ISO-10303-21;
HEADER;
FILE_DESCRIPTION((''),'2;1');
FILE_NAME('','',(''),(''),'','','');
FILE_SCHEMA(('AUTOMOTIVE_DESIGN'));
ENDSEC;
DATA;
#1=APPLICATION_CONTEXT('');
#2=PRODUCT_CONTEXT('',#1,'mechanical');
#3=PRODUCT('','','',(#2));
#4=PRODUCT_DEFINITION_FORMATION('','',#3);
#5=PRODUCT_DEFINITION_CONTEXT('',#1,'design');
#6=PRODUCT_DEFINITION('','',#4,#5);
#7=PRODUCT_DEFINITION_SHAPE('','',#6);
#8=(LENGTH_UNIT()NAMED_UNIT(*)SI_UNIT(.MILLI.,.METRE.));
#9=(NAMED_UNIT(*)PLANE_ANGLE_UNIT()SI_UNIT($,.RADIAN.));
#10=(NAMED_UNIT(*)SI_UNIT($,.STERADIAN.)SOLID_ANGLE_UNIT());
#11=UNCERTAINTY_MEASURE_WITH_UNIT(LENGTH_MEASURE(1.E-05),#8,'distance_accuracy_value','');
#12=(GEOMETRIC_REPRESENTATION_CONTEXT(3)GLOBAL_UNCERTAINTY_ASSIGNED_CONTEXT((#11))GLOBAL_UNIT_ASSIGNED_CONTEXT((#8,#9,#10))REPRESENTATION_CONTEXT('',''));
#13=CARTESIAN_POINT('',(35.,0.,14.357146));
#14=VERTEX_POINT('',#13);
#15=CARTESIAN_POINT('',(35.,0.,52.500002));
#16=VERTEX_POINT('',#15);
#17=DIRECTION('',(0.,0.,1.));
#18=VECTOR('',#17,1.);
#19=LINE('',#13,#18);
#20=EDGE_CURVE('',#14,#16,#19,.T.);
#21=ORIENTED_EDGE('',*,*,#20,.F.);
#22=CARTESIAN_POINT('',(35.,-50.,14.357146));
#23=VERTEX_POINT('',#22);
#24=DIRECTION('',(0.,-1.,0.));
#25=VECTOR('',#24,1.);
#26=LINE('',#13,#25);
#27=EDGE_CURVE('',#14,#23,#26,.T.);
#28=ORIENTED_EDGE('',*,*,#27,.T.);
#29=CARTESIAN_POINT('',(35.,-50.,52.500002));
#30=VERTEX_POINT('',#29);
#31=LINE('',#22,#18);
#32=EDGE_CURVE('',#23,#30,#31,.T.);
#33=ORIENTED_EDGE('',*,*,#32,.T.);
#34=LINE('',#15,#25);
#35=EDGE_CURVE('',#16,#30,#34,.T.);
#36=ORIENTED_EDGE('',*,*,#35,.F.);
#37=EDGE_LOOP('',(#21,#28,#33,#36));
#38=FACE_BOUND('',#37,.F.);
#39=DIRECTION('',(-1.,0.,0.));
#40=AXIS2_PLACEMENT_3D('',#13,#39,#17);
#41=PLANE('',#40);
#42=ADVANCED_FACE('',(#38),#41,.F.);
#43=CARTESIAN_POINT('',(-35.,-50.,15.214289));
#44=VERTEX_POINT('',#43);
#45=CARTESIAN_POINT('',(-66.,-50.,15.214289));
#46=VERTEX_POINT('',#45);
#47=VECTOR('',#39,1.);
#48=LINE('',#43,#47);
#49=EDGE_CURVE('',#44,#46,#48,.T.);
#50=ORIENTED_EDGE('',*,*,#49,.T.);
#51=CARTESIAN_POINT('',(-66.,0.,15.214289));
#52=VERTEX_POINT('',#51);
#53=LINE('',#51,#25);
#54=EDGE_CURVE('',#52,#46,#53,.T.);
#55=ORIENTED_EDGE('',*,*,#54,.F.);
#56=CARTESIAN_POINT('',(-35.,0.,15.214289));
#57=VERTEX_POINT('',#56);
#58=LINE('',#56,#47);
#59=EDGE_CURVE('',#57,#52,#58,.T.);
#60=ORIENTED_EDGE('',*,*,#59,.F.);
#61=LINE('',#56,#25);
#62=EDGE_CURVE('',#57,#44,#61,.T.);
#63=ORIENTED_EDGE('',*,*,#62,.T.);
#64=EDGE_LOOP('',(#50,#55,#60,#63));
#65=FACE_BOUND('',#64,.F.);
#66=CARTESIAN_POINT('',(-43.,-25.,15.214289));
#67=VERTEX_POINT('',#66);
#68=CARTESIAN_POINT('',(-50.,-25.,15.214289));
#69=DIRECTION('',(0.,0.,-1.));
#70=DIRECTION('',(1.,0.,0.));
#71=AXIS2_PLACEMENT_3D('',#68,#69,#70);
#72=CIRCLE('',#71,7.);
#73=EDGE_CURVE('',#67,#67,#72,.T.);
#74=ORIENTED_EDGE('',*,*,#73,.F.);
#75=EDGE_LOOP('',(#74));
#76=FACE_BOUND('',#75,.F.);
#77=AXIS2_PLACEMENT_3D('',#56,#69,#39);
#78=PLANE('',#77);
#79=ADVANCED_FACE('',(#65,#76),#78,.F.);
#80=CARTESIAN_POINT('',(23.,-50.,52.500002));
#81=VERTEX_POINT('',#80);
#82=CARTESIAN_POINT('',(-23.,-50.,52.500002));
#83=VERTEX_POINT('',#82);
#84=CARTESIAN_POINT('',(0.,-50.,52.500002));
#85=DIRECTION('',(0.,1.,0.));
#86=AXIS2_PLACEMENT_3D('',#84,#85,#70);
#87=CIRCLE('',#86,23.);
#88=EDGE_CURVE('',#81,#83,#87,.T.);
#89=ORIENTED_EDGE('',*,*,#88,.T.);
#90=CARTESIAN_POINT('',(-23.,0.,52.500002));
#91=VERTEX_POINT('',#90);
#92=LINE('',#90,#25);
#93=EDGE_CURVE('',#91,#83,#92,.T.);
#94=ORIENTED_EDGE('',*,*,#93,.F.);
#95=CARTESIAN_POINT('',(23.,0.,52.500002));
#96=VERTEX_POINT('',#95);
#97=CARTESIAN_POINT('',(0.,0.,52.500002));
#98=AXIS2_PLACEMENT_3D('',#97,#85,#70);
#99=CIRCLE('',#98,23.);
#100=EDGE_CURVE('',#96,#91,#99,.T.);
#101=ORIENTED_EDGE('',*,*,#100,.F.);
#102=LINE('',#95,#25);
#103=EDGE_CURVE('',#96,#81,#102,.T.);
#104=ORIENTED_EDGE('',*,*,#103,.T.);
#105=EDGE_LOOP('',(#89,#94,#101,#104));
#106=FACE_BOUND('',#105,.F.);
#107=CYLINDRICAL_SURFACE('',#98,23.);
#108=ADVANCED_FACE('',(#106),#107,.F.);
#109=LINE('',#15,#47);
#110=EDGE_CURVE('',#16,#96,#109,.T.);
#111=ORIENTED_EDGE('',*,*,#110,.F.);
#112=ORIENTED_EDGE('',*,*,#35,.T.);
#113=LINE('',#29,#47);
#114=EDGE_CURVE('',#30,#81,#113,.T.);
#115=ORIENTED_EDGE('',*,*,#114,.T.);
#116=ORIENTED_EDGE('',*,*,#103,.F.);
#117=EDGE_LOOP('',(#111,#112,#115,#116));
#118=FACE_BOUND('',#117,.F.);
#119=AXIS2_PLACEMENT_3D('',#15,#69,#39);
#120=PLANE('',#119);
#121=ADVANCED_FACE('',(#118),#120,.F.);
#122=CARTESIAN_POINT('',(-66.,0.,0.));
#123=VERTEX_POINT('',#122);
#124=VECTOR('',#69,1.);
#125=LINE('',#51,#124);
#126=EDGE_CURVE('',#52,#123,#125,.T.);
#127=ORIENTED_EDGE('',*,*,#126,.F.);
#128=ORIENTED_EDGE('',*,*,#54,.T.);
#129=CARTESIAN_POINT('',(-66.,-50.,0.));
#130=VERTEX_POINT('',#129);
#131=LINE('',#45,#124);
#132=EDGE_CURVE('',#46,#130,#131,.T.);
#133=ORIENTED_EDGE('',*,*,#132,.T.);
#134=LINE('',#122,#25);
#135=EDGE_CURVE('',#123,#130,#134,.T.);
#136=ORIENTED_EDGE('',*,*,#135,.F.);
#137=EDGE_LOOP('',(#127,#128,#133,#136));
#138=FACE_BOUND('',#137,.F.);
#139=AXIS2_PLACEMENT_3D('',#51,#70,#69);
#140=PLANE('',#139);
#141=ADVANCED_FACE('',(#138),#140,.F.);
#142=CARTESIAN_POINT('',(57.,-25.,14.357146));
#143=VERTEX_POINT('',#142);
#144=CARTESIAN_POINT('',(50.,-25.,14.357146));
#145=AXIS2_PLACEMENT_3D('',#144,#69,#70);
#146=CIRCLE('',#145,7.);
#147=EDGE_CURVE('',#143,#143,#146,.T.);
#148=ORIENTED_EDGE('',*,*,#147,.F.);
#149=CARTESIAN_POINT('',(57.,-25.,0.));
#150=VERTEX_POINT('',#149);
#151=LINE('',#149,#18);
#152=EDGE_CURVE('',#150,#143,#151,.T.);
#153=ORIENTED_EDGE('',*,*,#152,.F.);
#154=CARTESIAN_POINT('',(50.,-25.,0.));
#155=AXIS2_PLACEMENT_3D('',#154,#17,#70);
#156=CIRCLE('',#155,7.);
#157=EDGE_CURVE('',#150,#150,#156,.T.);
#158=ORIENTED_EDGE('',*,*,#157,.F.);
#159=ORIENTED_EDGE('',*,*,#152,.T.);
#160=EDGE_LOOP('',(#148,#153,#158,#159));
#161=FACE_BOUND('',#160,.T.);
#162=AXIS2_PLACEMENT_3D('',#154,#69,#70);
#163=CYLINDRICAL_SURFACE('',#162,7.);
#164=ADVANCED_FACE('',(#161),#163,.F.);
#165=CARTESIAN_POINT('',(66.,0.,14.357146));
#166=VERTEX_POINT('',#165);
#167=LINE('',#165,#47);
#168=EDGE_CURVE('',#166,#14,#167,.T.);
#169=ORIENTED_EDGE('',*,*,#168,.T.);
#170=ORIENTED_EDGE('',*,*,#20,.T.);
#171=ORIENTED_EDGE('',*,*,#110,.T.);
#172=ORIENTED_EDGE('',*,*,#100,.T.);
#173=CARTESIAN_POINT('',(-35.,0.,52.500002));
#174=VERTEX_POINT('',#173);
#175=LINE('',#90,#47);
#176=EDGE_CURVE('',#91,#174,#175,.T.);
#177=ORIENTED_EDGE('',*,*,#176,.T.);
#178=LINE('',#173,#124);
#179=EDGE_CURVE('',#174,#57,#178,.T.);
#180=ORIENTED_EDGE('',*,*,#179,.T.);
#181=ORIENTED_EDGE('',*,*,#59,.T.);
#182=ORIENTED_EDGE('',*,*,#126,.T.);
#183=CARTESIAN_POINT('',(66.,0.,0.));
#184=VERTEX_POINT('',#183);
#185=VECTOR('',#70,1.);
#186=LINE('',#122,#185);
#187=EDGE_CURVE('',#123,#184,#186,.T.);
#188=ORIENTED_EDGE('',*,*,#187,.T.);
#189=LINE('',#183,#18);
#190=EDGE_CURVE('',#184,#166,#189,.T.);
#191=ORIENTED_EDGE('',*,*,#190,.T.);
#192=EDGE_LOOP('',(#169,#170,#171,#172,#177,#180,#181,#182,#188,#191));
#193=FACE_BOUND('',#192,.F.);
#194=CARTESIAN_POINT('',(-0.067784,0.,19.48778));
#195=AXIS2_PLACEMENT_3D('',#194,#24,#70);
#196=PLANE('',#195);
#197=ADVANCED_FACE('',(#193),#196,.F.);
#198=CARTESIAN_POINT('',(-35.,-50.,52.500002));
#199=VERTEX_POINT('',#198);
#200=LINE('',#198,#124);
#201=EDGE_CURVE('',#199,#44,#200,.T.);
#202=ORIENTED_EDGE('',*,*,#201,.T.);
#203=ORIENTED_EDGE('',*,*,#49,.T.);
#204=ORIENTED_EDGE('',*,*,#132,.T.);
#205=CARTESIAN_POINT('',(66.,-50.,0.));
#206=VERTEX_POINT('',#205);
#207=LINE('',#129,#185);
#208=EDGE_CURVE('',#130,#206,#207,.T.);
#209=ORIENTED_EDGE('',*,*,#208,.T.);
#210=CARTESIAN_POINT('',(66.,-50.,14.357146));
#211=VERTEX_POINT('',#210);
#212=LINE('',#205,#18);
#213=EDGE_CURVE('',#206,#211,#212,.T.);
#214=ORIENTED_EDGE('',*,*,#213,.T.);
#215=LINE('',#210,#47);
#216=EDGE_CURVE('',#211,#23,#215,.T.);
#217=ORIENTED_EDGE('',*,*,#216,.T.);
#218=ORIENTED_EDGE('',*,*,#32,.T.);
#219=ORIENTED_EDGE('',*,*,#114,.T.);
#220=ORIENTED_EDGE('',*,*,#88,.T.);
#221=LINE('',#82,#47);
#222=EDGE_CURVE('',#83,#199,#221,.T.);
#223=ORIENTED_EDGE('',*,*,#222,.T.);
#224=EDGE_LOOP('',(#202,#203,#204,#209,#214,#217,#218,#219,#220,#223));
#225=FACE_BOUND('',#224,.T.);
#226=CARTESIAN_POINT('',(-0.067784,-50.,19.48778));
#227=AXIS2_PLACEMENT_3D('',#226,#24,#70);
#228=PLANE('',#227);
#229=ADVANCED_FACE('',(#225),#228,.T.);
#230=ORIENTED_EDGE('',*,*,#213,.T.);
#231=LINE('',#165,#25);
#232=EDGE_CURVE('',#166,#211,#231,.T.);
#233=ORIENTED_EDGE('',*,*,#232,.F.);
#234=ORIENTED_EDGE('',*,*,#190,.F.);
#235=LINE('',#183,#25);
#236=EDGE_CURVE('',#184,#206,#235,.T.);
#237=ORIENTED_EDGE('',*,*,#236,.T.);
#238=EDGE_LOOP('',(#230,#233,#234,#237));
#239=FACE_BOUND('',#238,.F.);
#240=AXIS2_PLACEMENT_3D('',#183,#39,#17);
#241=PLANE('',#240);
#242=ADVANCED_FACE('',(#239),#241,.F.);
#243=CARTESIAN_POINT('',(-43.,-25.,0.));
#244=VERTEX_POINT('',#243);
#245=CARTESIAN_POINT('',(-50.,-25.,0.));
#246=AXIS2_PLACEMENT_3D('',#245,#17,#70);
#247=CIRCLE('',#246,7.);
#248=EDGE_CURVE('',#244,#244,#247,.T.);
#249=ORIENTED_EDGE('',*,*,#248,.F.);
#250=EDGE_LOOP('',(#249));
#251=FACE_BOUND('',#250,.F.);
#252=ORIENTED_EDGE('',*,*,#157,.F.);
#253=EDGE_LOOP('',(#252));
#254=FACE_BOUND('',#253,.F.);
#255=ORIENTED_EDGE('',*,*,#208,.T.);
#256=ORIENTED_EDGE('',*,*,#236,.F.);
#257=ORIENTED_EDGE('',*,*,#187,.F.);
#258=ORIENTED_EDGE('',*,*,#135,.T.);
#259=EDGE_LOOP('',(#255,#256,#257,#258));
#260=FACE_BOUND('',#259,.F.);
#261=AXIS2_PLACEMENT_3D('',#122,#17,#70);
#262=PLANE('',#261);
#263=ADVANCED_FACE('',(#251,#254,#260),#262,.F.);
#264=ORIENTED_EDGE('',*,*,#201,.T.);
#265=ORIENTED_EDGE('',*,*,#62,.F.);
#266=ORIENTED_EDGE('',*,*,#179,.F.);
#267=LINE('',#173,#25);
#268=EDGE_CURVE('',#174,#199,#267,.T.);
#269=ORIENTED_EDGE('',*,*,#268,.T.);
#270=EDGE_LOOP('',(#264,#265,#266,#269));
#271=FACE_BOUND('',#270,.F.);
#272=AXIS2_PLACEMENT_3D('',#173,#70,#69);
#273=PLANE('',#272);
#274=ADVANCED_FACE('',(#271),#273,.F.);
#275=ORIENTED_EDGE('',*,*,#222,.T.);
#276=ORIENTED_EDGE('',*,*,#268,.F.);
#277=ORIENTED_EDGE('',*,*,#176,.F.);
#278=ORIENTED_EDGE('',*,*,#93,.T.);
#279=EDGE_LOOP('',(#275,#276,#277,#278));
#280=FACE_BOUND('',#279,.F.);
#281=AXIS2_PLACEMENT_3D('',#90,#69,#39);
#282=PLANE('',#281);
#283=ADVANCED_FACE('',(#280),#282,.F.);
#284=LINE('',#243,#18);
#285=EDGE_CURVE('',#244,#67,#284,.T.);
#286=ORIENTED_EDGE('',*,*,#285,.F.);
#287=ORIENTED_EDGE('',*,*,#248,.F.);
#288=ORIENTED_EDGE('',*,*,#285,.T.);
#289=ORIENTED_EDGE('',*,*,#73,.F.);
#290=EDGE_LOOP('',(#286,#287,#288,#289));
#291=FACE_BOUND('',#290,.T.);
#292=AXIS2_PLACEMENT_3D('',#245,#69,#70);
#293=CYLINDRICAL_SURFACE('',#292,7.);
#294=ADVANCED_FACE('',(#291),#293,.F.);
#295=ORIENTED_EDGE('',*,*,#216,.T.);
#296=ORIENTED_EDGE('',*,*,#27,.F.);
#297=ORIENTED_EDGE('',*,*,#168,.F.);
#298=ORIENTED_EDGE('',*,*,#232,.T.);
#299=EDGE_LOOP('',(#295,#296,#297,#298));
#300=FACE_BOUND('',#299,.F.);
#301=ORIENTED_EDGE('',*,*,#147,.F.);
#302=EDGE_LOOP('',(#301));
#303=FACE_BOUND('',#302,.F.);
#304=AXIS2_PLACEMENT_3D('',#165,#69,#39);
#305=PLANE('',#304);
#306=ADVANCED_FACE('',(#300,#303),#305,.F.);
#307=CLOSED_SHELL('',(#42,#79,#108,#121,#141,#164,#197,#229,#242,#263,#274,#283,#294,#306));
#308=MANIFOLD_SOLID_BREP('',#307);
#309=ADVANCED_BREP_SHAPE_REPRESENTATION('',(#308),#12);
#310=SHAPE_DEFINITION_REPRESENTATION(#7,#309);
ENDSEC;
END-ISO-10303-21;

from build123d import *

# Parameters (mm, degrees)
F1_DEPTH = 50
F2_R     = 7
F3_DEPTH = 25


with BuildPart() as f1:
    # F0 (on Front) → F1 (new body)
    with BuildSketch(Plane.XZ):
        with BuildLine():
            Line((-66, 0), (0, 0))
            Line((0, 0), (66, 0))
            Line((66, 0), (66, 14.357146))
            Line((66, 14.357146), (35, 14.357146))
            Line((35, 14.357146), (35, 52.500002))
            Line((35, 52.500002), (23, 52.500002))
            ThreePointArc((23, 52.500002), (0, 29.500002), (-23, 52.500002))
            Line((-23, 52.500002), (-35, 52.500002))
            Line((-35, 52.500002), (-35, 15.214289))
            Line((-35, 15.214289), (-66, 15.214289))
            Line((-66, 15.214289), (-66, 0))
        make_face()
    extrude(amount=F1_DEPTH)

    # F2 (on Top) → F3 (cut)
    with BuildSketch(Plane.XY):
        with Locations((-50, -25)):
            Circle(F2_R)
        with Locations((50, -25)):
            Circle(F2_R)
    extrude(amount=F3_DEPTH, mode=Mode.SUBTRACT)


solid = f1.part
